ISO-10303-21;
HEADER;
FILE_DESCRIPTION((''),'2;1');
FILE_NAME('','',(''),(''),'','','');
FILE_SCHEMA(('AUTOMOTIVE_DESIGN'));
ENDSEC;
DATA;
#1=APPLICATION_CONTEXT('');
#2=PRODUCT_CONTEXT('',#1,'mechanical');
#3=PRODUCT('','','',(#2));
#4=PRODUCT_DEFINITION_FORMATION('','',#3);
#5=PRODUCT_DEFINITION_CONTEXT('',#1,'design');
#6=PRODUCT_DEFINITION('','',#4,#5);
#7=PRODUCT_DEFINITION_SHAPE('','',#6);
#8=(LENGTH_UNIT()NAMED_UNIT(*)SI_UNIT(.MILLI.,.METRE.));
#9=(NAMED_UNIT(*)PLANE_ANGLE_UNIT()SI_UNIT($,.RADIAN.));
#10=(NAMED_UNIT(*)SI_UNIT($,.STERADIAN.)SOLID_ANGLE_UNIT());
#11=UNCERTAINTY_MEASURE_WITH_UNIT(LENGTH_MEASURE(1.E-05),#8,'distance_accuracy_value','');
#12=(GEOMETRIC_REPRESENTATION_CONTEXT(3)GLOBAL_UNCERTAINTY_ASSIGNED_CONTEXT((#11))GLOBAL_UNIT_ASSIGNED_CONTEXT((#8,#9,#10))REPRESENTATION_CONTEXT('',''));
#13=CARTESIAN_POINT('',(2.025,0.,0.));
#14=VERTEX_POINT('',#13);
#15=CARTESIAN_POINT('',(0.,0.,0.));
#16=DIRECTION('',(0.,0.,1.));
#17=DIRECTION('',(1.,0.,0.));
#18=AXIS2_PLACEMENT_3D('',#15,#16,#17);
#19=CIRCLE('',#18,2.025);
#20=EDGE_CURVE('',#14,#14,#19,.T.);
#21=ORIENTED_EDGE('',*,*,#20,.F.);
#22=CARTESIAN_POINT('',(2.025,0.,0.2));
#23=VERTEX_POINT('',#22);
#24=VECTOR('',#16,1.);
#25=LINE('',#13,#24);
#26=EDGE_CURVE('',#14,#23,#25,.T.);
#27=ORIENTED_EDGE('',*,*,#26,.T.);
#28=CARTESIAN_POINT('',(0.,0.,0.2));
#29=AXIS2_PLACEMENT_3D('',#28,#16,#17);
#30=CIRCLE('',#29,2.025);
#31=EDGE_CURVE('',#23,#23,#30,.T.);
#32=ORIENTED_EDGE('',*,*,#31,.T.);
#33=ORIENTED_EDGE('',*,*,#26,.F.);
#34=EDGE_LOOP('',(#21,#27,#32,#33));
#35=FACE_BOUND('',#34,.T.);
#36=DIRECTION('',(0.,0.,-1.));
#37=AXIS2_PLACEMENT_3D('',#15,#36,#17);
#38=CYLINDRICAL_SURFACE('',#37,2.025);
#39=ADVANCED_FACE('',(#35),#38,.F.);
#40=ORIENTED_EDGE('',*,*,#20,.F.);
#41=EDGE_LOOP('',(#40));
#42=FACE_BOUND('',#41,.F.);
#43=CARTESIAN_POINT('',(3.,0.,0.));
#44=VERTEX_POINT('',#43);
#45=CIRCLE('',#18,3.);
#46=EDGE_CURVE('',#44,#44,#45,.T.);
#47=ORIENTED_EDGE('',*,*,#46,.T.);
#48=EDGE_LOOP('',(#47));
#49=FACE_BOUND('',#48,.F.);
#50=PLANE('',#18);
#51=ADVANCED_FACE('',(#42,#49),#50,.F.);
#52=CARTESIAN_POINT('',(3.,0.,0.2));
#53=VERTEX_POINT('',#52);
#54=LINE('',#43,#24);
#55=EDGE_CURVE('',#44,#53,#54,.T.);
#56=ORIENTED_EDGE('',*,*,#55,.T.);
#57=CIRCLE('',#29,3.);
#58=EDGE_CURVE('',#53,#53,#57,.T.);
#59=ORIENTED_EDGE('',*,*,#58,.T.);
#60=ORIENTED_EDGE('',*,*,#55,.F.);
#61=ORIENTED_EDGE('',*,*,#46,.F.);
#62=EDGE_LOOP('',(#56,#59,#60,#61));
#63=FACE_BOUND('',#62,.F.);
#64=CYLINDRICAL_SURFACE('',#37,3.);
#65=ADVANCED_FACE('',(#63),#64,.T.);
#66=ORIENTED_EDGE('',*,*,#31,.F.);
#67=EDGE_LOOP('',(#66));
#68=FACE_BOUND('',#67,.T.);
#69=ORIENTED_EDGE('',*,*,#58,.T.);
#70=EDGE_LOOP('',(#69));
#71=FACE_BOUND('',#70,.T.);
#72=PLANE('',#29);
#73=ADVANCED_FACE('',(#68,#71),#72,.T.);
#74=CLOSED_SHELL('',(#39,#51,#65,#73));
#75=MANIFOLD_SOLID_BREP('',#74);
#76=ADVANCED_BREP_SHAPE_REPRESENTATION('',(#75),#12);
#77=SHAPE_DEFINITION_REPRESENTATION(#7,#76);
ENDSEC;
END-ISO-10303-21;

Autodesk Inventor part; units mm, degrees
ref_plane "YZ Plane" through (0, 0, 0) normal (1, 0, 0) x (0, 1, 0)
ref_plane "XZ Plane" through (0, 0, 0) normal (0, 1, 0) x (-1, 0, 0)
ref_plane "XY Plane" through (0, 0, 0) normal (0, 0, 1) x (1, 0, 0)
sketch "スケッチ1" plane through (0, 0, 0) normal (0, 0, 1) x (1, 0, 0)
  circle A0 centre (0, 0) radius 2.025
  circle A1 centre (0, 0) radius 3
  dimension "d0" = 4.05
  dimension "d1" = 6
extrude "押し出し1" add sketch "スケッチ1" along normal blind 0.2
properties part number "2段目スペーサ" material "アルミニウム 2014-T4"
